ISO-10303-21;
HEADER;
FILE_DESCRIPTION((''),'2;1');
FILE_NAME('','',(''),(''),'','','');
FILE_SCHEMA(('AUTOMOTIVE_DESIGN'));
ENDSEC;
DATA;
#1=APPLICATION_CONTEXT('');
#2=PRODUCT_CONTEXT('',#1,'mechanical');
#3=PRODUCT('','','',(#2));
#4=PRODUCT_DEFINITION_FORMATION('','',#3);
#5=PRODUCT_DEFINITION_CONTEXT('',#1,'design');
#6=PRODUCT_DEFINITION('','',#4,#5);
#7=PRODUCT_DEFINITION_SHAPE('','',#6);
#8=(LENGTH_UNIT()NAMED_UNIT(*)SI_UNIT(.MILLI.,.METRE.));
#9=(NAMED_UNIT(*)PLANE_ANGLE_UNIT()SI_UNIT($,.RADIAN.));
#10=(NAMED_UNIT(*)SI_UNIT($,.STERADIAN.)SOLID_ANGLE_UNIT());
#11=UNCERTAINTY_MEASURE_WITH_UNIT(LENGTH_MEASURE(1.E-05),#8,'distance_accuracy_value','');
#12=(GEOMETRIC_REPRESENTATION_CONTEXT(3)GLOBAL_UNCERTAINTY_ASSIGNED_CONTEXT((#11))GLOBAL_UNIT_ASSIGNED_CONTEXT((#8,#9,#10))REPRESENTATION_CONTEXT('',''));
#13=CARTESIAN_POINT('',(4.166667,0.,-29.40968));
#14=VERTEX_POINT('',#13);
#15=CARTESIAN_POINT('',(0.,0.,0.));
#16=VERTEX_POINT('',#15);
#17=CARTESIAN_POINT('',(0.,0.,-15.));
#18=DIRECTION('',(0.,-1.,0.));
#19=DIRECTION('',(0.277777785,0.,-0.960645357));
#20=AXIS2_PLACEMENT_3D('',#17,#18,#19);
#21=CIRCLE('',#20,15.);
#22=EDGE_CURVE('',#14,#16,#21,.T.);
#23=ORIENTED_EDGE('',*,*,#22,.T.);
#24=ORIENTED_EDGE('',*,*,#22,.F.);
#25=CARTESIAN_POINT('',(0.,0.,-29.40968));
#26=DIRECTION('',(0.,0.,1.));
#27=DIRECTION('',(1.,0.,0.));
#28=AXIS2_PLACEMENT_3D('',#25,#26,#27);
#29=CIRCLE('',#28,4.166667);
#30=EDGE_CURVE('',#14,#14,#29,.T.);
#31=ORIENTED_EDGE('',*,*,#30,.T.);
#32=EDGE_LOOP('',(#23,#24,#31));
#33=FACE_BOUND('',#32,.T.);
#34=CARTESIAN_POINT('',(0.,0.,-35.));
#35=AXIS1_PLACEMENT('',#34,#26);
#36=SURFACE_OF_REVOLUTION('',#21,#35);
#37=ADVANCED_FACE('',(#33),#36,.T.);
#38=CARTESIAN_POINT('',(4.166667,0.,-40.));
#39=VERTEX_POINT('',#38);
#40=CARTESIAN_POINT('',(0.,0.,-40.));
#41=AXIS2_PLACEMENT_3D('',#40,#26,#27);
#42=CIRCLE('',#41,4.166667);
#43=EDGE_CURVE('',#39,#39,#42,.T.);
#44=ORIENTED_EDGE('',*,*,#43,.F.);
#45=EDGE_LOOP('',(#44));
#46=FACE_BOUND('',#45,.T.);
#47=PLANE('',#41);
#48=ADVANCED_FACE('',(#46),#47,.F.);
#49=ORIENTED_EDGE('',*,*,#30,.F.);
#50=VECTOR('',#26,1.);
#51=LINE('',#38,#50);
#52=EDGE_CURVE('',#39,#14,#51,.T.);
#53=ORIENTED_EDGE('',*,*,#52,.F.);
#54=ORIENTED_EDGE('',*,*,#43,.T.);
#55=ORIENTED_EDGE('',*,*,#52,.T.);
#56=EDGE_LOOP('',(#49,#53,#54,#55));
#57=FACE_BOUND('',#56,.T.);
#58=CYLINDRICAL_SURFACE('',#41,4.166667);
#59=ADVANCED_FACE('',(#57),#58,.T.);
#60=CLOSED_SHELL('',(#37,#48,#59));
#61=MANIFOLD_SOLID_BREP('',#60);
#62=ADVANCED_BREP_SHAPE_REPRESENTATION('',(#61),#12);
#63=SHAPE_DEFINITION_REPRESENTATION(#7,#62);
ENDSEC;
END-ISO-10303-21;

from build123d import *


with BuildPart() as f1:
    # F0 (on Front) → F1 (revolve)
    with BuildSketch(Plane.XZ):
        with BuildLine():
            ThreePointArc((4.166667, -29.40968), (14.851687, -12.895862), (0, 0))
            Line((0, 0), (0, -30))
            ThreePointArc((0, -30), (2.104138, -29.851687), (4.166667, -29.40968))
        make_face()
        with BuildLine():
            ThreePointArc((4.166667, -29.40968), (2.104138, -29.851687), (0, -30))
            Line((0, -30), (0, -40))
            Line((0, -40), (4.166667, -40))
            Line((4.166667, -40), (4.166667, -29.40968))
        make_face()
    revolve(axis=Axis((0, 0, -35), (0, 0, 1)))


solid = f1.part
